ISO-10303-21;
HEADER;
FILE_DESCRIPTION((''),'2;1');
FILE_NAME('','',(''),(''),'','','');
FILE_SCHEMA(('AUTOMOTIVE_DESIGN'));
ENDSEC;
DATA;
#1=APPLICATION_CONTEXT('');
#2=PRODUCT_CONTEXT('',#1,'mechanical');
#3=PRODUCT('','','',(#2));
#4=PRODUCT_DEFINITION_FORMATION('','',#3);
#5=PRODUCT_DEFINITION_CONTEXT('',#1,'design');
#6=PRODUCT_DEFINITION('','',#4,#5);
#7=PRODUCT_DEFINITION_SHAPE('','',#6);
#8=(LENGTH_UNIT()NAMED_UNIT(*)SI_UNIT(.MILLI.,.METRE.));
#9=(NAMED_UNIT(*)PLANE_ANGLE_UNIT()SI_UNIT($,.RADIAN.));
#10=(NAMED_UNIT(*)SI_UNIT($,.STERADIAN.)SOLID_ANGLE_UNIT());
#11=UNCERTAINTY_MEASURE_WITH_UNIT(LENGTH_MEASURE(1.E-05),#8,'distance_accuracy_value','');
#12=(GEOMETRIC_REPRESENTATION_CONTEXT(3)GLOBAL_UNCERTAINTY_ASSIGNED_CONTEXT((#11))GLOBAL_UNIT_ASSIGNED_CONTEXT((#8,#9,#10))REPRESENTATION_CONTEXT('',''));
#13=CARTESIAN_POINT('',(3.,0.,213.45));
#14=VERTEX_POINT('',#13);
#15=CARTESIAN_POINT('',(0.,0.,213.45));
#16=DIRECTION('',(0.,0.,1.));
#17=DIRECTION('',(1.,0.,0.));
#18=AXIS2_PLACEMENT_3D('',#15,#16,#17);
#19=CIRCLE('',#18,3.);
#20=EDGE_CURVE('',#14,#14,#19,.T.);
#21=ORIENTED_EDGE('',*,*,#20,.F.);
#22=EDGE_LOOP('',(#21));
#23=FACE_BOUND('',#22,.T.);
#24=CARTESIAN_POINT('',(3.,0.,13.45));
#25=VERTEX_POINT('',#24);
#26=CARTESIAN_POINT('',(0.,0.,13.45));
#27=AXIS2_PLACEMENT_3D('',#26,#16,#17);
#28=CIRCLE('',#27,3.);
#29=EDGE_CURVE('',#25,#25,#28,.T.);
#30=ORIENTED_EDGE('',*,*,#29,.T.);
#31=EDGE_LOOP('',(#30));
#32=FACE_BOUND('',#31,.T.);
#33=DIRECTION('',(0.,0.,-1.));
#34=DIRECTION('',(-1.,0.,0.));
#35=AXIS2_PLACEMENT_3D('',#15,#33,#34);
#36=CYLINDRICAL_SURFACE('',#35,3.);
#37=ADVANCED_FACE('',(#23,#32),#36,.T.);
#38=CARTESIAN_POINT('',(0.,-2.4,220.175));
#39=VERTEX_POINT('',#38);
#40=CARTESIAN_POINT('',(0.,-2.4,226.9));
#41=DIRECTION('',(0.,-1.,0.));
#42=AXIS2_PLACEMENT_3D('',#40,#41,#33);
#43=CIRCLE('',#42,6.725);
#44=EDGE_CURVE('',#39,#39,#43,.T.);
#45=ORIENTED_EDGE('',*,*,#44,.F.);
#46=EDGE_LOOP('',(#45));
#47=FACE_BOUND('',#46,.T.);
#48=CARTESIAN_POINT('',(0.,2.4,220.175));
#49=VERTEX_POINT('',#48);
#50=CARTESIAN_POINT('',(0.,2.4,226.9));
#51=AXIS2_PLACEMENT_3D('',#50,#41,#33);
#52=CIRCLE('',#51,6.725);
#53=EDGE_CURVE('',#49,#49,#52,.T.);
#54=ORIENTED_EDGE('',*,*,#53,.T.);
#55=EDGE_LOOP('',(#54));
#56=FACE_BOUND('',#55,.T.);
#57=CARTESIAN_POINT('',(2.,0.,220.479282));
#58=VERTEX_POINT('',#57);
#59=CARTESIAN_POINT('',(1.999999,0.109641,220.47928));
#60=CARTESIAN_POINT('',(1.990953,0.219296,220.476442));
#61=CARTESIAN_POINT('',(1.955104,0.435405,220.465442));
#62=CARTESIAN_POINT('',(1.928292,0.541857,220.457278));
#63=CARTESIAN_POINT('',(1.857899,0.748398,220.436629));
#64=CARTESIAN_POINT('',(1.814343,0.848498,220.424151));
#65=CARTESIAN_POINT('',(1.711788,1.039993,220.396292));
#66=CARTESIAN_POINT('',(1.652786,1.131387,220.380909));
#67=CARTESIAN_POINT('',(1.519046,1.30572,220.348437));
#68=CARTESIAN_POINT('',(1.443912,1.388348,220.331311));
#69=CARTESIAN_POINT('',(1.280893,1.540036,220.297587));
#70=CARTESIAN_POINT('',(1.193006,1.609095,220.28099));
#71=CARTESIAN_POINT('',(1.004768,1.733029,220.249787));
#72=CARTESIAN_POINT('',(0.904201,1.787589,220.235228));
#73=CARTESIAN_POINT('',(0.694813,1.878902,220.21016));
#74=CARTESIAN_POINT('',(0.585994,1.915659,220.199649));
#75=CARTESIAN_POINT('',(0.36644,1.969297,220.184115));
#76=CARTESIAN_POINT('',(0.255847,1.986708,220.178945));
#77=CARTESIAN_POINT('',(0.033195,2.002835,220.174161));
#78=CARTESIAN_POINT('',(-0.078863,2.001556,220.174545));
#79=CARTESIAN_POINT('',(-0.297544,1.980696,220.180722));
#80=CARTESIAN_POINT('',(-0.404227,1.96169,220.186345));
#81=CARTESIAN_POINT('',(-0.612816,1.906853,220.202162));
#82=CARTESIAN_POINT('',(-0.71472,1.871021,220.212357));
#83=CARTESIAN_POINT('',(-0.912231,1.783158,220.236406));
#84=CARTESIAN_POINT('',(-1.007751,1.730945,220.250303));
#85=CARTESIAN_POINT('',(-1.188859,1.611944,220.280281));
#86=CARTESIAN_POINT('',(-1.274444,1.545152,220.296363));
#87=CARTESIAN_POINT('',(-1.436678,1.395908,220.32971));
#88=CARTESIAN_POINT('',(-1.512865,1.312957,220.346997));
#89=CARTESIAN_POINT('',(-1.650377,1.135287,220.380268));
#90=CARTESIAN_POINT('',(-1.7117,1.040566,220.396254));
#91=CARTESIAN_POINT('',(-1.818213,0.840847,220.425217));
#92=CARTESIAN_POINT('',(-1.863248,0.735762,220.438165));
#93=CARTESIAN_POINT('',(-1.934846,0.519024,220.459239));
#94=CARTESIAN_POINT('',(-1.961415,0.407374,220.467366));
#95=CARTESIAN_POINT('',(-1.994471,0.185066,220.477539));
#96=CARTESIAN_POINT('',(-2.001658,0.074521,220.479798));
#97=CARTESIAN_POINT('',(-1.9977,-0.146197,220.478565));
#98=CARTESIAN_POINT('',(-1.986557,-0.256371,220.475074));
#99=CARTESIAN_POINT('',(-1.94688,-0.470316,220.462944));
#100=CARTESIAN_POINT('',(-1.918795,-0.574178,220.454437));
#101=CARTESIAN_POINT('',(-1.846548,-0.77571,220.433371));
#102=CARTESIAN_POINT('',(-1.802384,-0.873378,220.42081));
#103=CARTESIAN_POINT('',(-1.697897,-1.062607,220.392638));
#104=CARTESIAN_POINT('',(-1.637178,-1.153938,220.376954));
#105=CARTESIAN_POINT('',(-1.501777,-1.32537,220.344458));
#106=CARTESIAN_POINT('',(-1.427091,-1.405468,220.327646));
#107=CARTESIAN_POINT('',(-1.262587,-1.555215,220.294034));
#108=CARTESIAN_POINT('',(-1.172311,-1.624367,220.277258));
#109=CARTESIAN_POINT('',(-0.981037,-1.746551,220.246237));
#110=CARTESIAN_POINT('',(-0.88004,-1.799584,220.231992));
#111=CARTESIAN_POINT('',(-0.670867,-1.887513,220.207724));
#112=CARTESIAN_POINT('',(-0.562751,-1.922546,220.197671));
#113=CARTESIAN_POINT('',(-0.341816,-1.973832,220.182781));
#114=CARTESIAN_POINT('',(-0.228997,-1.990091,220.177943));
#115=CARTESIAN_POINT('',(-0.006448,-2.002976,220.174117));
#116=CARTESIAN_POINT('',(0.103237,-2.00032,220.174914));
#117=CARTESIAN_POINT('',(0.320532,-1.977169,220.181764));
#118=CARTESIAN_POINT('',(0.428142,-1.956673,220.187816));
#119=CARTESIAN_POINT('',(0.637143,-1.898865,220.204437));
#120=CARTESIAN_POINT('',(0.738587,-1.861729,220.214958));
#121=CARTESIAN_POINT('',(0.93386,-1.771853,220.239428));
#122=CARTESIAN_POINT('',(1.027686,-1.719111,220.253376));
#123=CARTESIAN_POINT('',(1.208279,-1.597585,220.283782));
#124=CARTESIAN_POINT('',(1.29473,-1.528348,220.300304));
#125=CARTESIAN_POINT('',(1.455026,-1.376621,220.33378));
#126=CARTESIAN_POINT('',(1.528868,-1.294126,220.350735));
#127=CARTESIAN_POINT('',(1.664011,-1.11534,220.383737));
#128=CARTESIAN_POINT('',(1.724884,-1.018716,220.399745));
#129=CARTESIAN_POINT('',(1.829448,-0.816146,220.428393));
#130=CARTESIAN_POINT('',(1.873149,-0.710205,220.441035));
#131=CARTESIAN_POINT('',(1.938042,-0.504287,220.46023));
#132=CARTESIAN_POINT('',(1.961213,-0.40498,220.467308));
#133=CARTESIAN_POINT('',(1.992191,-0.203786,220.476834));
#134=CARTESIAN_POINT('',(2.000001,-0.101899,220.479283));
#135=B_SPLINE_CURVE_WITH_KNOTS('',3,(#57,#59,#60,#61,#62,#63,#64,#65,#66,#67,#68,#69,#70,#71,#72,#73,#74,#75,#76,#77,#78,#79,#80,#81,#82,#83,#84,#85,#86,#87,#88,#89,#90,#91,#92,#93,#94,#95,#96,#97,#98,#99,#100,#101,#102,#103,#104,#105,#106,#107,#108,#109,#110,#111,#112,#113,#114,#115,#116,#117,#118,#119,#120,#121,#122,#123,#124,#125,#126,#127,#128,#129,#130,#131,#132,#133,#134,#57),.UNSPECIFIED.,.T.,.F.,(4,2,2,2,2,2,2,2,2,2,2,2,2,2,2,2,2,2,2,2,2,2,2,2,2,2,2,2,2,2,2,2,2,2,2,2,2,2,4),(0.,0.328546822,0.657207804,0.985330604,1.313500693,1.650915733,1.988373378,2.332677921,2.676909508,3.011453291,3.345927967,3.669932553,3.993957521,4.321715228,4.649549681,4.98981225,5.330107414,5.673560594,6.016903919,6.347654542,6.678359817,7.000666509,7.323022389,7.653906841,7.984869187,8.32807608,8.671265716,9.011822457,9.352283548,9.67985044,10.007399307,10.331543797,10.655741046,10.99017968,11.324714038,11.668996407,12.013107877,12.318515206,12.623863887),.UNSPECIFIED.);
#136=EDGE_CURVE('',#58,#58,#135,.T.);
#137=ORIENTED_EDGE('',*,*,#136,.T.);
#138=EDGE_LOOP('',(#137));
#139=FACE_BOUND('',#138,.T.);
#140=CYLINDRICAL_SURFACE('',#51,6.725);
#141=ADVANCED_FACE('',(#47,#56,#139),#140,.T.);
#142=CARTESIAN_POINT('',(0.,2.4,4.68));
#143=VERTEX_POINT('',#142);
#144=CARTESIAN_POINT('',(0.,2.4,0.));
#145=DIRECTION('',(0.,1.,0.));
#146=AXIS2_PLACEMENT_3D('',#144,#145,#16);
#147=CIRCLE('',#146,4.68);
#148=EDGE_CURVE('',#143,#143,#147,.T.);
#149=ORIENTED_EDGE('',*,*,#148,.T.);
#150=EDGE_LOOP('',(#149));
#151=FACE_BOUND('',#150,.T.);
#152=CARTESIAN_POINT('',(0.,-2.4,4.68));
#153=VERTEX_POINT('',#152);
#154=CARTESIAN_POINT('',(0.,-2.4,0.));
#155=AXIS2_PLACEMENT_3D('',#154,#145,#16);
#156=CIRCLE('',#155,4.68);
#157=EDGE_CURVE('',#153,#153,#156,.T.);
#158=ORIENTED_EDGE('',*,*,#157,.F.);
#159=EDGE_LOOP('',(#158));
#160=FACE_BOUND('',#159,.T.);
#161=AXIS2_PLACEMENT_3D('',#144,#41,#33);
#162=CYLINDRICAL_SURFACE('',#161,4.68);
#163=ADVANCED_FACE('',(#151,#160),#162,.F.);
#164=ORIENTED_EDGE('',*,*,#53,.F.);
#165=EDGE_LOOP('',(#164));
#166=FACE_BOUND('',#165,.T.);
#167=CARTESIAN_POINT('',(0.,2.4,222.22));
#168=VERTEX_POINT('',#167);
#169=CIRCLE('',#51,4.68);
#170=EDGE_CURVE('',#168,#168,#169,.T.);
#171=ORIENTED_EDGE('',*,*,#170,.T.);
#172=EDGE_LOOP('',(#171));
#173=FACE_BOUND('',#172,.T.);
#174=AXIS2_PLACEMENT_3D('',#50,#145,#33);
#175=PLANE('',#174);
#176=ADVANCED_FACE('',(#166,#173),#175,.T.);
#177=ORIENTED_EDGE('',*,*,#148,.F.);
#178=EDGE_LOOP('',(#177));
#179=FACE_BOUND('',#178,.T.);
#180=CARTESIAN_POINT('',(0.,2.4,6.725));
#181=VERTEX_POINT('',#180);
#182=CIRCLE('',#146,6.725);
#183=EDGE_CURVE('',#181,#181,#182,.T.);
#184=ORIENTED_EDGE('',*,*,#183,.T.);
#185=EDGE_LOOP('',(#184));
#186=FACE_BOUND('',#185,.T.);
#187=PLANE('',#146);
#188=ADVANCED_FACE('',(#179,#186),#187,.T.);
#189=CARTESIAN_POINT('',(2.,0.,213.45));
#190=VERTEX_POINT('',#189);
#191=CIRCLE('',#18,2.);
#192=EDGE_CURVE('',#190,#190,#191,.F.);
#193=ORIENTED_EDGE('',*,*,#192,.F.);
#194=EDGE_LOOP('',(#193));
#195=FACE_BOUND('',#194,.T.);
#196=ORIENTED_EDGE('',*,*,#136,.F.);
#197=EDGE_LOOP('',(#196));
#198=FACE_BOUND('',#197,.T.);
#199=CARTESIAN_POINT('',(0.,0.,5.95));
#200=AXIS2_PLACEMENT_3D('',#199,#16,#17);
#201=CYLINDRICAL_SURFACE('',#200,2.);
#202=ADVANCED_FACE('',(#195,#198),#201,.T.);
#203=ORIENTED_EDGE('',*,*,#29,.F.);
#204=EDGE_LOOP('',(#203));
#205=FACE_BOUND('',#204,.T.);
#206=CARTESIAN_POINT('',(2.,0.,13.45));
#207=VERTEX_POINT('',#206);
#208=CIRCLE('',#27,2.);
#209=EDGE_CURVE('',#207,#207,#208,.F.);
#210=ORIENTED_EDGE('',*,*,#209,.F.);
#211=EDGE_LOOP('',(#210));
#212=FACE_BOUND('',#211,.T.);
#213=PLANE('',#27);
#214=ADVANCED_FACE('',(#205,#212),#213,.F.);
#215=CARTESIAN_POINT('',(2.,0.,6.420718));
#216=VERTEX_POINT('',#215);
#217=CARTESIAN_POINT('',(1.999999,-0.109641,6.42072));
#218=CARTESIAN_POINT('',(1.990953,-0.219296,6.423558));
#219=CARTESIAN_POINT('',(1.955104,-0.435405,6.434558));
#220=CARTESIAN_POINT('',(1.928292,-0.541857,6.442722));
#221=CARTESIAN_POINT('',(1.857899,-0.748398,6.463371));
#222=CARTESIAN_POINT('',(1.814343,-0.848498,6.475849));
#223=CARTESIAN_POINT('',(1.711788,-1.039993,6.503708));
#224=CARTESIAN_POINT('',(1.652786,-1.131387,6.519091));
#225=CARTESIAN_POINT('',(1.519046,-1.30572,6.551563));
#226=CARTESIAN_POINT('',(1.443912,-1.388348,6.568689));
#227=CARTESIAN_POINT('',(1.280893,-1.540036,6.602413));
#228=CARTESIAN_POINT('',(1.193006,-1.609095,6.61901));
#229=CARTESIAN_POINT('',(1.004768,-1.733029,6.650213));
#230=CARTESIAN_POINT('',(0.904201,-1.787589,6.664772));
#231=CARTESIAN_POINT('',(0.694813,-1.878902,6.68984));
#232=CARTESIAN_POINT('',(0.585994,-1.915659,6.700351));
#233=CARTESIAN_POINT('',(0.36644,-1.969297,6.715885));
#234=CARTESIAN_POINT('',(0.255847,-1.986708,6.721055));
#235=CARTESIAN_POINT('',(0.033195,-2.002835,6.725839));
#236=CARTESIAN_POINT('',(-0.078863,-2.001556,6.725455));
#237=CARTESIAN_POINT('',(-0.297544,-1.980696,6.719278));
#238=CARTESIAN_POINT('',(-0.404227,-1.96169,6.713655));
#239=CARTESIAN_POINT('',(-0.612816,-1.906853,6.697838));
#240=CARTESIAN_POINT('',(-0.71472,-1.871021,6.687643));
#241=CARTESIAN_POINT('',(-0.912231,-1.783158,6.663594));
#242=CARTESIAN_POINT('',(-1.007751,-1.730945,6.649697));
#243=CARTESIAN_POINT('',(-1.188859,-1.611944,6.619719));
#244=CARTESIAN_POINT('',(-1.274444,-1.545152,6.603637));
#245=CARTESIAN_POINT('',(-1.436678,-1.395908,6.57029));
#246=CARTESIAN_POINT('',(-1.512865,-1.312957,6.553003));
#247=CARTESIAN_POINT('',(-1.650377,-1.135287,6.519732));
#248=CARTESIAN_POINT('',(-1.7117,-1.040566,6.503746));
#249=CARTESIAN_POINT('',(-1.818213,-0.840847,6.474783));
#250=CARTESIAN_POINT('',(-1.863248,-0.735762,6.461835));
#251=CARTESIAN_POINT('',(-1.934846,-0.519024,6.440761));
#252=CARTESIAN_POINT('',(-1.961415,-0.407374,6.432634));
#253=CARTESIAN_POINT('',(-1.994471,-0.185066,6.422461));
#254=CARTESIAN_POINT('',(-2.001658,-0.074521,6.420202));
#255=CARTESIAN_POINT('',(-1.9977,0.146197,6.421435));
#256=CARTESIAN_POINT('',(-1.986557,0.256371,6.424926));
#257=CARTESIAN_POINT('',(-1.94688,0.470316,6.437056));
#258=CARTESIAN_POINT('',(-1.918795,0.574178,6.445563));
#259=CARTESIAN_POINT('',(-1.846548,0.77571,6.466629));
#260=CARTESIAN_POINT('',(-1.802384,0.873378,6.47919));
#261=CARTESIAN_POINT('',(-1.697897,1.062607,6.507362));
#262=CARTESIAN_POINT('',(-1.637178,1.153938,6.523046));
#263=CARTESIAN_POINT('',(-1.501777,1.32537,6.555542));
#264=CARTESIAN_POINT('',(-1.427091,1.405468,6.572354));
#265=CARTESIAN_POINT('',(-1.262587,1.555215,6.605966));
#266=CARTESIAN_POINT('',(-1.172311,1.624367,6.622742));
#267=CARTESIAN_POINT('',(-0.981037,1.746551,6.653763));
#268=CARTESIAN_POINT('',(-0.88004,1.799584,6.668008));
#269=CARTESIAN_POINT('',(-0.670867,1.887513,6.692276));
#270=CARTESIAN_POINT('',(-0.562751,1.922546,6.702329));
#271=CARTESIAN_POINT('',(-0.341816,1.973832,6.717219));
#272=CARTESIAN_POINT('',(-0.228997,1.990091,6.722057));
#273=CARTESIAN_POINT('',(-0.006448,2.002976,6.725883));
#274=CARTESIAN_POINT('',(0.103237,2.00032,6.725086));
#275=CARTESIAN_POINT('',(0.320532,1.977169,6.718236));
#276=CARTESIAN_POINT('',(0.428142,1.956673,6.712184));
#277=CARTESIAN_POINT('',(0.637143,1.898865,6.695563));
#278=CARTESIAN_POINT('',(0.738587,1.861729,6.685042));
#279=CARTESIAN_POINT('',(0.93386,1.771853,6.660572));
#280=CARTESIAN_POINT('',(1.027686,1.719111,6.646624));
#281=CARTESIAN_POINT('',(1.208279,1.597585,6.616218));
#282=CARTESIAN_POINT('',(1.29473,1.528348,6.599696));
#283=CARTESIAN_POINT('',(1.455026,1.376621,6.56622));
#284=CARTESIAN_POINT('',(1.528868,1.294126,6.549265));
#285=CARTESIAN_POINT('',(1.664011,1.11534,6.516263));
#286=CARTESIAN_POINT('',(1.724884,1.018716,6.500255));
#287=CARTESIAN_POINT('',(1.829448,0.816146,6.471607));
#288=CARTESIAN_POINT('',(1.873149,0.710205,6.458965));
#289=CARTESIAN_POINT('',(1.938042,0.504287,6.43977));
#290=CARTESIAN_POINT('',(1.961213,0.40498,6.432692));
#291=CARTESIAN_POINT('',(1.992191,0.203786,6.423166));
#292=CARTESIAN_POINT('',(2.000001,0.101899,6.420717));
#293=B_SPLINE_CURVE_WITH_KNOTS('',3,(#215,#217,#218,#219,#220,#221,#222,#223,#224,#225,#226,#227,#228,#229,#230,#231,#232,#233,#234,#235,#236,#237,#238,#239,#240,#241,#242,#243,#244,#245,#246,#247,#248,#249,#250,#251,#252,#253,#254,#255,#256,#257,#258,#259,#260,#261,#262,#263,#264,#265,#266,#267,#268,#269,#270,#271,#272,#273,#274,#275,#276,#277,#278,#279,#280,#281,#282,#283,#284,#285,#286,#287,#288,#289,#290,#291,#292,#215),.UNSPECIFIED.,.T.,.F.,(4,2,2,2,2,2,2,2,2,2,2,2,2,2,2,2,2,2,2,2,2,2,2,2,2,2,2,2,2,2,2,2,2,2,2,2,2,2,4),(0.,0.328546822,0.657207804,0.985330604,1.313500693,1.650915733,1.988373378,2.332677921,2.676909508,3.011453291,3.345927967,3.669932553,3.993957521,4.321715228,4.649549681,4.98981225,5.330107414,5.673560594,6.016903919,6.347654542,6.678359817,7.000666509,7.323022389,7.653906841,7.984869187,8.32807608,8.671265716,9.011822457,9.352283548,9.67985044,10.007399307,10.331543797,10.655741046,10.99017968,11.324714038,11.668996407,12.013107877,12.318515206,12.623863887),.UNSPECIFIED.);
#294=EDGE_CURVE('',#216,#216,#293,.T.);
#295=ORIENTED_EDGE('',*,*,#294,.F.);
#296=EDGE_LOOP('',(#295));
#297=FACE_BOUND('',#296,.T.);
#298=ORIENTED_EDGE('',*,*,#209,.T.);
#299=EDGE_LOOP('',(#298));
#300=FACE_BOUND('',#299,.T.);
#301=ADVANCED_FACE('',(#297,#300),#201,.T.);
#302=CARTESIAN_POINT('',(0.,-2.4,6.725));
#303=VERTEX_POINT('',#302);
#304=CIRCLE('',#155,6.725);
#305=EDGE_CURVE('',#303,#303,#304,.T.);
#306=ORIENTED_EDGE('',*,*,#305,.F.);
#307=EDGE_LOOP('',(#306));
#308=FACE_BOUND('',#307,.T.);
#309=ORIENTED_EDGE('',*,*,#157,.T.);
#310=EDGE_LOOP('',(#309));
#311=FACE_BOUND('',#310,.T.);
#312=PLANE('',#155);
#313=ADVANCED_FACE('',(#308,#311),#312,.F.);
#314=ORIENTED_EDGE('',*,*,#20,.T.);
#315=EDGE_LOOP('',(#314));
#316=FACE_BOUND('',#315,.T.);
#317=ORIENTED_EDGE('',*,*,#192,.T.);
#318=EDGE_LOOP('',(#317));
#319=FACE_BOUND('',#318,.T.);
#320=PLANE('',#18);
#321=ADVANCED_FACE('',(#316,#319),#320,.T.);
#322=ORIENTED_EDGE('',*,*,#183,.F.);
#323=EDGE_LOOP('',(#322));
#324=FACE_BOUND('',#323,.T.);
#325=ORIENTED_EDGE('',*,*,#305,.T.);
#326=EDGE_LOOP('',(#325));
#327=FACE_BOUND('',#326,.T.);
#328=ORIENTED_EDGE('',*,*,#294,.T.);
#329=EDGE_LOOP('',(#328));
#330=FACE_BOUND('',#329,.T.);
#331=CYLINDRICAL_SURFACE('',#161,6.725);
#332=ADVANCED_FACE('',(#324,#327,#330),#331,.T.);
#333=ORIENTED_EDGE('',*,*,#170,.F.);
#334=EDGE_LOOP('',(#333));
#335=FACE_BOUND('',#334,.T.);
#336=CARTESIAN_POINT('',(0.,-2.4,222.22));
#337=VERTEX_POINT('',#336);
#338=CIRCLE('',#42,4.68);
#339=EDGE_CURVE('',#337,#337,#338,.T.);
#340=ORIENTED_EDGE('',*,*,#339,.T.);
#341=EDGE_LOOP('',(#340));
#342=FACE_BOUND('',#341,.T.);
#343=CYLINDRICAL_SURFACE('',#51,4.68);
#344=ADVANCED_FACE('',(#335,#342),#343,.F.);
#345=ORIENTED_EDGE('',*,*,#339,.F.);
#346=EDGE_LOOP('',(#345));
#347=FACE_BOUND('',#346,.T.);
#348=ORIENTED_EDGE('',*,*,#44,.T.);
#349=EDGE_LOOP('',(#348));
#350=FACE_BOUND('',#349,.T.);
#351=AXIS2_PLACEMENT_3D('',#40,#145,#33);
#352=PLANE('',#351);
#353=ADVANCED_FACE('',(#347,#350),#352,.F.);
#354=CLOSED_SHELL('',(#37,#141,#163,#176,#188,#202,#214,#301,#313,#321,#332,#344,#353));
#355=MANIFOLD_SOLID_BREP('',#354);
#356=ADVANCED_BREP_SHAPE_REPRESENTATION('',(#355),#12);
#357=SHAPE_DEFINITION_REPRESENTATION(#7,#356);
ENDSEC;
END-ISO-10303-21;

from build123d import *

# Parameters (mm, degrees)
SKETCH_1_R      = 6.725
SKETCH_1_R_2    = 4.68
EXTRUDE_1_DEPTH = 2.4
SKETCH_2_R      = 2
EXTRUDE_2_DEPTH = 107.5
SKETCH_4_R      = 3
EXTRUDE_3_DEPTH = 100


with BuildPart() as part:
    # 스케치1 → 보스-돌출1 (new body, symmetric)
    with BuildSketch(Plane(origin=(0, 0, 0), x_dir=(1, 0, 0), z_dir=(0, 1, 0))):
        Circle(SKETCH_1_R)
        Circle(SKETCH_1_R_2, mode=Mode.SUBTRACT)
    extrude_1 = extrude(amount=EXTRUDE_1_DEPTH, both=True)

    # 스케치2 → 보스-돌출2 (add, symmetric)
    with BuildSketch(Plane.XY.offset(113.45)):
        Circle(SKETCH_2_R)
    extrude(amount=EXTRUDE_2_DEPTH, both=True)

    # 대칭 복사5: 보스-돌출1 across plane
    add(extrude_1.mirror(Plane.XY.offset(113.45)))

    # 스케치4 → 보스-돌출3 (add, symmetric)
    with BuildSketch(Plane.XY.offset(113.45)):
        Circle(SKETCH_4_R)
    extrude(amount=EXTRUDE_3_DEPTH, both=True)


solid = part.part
